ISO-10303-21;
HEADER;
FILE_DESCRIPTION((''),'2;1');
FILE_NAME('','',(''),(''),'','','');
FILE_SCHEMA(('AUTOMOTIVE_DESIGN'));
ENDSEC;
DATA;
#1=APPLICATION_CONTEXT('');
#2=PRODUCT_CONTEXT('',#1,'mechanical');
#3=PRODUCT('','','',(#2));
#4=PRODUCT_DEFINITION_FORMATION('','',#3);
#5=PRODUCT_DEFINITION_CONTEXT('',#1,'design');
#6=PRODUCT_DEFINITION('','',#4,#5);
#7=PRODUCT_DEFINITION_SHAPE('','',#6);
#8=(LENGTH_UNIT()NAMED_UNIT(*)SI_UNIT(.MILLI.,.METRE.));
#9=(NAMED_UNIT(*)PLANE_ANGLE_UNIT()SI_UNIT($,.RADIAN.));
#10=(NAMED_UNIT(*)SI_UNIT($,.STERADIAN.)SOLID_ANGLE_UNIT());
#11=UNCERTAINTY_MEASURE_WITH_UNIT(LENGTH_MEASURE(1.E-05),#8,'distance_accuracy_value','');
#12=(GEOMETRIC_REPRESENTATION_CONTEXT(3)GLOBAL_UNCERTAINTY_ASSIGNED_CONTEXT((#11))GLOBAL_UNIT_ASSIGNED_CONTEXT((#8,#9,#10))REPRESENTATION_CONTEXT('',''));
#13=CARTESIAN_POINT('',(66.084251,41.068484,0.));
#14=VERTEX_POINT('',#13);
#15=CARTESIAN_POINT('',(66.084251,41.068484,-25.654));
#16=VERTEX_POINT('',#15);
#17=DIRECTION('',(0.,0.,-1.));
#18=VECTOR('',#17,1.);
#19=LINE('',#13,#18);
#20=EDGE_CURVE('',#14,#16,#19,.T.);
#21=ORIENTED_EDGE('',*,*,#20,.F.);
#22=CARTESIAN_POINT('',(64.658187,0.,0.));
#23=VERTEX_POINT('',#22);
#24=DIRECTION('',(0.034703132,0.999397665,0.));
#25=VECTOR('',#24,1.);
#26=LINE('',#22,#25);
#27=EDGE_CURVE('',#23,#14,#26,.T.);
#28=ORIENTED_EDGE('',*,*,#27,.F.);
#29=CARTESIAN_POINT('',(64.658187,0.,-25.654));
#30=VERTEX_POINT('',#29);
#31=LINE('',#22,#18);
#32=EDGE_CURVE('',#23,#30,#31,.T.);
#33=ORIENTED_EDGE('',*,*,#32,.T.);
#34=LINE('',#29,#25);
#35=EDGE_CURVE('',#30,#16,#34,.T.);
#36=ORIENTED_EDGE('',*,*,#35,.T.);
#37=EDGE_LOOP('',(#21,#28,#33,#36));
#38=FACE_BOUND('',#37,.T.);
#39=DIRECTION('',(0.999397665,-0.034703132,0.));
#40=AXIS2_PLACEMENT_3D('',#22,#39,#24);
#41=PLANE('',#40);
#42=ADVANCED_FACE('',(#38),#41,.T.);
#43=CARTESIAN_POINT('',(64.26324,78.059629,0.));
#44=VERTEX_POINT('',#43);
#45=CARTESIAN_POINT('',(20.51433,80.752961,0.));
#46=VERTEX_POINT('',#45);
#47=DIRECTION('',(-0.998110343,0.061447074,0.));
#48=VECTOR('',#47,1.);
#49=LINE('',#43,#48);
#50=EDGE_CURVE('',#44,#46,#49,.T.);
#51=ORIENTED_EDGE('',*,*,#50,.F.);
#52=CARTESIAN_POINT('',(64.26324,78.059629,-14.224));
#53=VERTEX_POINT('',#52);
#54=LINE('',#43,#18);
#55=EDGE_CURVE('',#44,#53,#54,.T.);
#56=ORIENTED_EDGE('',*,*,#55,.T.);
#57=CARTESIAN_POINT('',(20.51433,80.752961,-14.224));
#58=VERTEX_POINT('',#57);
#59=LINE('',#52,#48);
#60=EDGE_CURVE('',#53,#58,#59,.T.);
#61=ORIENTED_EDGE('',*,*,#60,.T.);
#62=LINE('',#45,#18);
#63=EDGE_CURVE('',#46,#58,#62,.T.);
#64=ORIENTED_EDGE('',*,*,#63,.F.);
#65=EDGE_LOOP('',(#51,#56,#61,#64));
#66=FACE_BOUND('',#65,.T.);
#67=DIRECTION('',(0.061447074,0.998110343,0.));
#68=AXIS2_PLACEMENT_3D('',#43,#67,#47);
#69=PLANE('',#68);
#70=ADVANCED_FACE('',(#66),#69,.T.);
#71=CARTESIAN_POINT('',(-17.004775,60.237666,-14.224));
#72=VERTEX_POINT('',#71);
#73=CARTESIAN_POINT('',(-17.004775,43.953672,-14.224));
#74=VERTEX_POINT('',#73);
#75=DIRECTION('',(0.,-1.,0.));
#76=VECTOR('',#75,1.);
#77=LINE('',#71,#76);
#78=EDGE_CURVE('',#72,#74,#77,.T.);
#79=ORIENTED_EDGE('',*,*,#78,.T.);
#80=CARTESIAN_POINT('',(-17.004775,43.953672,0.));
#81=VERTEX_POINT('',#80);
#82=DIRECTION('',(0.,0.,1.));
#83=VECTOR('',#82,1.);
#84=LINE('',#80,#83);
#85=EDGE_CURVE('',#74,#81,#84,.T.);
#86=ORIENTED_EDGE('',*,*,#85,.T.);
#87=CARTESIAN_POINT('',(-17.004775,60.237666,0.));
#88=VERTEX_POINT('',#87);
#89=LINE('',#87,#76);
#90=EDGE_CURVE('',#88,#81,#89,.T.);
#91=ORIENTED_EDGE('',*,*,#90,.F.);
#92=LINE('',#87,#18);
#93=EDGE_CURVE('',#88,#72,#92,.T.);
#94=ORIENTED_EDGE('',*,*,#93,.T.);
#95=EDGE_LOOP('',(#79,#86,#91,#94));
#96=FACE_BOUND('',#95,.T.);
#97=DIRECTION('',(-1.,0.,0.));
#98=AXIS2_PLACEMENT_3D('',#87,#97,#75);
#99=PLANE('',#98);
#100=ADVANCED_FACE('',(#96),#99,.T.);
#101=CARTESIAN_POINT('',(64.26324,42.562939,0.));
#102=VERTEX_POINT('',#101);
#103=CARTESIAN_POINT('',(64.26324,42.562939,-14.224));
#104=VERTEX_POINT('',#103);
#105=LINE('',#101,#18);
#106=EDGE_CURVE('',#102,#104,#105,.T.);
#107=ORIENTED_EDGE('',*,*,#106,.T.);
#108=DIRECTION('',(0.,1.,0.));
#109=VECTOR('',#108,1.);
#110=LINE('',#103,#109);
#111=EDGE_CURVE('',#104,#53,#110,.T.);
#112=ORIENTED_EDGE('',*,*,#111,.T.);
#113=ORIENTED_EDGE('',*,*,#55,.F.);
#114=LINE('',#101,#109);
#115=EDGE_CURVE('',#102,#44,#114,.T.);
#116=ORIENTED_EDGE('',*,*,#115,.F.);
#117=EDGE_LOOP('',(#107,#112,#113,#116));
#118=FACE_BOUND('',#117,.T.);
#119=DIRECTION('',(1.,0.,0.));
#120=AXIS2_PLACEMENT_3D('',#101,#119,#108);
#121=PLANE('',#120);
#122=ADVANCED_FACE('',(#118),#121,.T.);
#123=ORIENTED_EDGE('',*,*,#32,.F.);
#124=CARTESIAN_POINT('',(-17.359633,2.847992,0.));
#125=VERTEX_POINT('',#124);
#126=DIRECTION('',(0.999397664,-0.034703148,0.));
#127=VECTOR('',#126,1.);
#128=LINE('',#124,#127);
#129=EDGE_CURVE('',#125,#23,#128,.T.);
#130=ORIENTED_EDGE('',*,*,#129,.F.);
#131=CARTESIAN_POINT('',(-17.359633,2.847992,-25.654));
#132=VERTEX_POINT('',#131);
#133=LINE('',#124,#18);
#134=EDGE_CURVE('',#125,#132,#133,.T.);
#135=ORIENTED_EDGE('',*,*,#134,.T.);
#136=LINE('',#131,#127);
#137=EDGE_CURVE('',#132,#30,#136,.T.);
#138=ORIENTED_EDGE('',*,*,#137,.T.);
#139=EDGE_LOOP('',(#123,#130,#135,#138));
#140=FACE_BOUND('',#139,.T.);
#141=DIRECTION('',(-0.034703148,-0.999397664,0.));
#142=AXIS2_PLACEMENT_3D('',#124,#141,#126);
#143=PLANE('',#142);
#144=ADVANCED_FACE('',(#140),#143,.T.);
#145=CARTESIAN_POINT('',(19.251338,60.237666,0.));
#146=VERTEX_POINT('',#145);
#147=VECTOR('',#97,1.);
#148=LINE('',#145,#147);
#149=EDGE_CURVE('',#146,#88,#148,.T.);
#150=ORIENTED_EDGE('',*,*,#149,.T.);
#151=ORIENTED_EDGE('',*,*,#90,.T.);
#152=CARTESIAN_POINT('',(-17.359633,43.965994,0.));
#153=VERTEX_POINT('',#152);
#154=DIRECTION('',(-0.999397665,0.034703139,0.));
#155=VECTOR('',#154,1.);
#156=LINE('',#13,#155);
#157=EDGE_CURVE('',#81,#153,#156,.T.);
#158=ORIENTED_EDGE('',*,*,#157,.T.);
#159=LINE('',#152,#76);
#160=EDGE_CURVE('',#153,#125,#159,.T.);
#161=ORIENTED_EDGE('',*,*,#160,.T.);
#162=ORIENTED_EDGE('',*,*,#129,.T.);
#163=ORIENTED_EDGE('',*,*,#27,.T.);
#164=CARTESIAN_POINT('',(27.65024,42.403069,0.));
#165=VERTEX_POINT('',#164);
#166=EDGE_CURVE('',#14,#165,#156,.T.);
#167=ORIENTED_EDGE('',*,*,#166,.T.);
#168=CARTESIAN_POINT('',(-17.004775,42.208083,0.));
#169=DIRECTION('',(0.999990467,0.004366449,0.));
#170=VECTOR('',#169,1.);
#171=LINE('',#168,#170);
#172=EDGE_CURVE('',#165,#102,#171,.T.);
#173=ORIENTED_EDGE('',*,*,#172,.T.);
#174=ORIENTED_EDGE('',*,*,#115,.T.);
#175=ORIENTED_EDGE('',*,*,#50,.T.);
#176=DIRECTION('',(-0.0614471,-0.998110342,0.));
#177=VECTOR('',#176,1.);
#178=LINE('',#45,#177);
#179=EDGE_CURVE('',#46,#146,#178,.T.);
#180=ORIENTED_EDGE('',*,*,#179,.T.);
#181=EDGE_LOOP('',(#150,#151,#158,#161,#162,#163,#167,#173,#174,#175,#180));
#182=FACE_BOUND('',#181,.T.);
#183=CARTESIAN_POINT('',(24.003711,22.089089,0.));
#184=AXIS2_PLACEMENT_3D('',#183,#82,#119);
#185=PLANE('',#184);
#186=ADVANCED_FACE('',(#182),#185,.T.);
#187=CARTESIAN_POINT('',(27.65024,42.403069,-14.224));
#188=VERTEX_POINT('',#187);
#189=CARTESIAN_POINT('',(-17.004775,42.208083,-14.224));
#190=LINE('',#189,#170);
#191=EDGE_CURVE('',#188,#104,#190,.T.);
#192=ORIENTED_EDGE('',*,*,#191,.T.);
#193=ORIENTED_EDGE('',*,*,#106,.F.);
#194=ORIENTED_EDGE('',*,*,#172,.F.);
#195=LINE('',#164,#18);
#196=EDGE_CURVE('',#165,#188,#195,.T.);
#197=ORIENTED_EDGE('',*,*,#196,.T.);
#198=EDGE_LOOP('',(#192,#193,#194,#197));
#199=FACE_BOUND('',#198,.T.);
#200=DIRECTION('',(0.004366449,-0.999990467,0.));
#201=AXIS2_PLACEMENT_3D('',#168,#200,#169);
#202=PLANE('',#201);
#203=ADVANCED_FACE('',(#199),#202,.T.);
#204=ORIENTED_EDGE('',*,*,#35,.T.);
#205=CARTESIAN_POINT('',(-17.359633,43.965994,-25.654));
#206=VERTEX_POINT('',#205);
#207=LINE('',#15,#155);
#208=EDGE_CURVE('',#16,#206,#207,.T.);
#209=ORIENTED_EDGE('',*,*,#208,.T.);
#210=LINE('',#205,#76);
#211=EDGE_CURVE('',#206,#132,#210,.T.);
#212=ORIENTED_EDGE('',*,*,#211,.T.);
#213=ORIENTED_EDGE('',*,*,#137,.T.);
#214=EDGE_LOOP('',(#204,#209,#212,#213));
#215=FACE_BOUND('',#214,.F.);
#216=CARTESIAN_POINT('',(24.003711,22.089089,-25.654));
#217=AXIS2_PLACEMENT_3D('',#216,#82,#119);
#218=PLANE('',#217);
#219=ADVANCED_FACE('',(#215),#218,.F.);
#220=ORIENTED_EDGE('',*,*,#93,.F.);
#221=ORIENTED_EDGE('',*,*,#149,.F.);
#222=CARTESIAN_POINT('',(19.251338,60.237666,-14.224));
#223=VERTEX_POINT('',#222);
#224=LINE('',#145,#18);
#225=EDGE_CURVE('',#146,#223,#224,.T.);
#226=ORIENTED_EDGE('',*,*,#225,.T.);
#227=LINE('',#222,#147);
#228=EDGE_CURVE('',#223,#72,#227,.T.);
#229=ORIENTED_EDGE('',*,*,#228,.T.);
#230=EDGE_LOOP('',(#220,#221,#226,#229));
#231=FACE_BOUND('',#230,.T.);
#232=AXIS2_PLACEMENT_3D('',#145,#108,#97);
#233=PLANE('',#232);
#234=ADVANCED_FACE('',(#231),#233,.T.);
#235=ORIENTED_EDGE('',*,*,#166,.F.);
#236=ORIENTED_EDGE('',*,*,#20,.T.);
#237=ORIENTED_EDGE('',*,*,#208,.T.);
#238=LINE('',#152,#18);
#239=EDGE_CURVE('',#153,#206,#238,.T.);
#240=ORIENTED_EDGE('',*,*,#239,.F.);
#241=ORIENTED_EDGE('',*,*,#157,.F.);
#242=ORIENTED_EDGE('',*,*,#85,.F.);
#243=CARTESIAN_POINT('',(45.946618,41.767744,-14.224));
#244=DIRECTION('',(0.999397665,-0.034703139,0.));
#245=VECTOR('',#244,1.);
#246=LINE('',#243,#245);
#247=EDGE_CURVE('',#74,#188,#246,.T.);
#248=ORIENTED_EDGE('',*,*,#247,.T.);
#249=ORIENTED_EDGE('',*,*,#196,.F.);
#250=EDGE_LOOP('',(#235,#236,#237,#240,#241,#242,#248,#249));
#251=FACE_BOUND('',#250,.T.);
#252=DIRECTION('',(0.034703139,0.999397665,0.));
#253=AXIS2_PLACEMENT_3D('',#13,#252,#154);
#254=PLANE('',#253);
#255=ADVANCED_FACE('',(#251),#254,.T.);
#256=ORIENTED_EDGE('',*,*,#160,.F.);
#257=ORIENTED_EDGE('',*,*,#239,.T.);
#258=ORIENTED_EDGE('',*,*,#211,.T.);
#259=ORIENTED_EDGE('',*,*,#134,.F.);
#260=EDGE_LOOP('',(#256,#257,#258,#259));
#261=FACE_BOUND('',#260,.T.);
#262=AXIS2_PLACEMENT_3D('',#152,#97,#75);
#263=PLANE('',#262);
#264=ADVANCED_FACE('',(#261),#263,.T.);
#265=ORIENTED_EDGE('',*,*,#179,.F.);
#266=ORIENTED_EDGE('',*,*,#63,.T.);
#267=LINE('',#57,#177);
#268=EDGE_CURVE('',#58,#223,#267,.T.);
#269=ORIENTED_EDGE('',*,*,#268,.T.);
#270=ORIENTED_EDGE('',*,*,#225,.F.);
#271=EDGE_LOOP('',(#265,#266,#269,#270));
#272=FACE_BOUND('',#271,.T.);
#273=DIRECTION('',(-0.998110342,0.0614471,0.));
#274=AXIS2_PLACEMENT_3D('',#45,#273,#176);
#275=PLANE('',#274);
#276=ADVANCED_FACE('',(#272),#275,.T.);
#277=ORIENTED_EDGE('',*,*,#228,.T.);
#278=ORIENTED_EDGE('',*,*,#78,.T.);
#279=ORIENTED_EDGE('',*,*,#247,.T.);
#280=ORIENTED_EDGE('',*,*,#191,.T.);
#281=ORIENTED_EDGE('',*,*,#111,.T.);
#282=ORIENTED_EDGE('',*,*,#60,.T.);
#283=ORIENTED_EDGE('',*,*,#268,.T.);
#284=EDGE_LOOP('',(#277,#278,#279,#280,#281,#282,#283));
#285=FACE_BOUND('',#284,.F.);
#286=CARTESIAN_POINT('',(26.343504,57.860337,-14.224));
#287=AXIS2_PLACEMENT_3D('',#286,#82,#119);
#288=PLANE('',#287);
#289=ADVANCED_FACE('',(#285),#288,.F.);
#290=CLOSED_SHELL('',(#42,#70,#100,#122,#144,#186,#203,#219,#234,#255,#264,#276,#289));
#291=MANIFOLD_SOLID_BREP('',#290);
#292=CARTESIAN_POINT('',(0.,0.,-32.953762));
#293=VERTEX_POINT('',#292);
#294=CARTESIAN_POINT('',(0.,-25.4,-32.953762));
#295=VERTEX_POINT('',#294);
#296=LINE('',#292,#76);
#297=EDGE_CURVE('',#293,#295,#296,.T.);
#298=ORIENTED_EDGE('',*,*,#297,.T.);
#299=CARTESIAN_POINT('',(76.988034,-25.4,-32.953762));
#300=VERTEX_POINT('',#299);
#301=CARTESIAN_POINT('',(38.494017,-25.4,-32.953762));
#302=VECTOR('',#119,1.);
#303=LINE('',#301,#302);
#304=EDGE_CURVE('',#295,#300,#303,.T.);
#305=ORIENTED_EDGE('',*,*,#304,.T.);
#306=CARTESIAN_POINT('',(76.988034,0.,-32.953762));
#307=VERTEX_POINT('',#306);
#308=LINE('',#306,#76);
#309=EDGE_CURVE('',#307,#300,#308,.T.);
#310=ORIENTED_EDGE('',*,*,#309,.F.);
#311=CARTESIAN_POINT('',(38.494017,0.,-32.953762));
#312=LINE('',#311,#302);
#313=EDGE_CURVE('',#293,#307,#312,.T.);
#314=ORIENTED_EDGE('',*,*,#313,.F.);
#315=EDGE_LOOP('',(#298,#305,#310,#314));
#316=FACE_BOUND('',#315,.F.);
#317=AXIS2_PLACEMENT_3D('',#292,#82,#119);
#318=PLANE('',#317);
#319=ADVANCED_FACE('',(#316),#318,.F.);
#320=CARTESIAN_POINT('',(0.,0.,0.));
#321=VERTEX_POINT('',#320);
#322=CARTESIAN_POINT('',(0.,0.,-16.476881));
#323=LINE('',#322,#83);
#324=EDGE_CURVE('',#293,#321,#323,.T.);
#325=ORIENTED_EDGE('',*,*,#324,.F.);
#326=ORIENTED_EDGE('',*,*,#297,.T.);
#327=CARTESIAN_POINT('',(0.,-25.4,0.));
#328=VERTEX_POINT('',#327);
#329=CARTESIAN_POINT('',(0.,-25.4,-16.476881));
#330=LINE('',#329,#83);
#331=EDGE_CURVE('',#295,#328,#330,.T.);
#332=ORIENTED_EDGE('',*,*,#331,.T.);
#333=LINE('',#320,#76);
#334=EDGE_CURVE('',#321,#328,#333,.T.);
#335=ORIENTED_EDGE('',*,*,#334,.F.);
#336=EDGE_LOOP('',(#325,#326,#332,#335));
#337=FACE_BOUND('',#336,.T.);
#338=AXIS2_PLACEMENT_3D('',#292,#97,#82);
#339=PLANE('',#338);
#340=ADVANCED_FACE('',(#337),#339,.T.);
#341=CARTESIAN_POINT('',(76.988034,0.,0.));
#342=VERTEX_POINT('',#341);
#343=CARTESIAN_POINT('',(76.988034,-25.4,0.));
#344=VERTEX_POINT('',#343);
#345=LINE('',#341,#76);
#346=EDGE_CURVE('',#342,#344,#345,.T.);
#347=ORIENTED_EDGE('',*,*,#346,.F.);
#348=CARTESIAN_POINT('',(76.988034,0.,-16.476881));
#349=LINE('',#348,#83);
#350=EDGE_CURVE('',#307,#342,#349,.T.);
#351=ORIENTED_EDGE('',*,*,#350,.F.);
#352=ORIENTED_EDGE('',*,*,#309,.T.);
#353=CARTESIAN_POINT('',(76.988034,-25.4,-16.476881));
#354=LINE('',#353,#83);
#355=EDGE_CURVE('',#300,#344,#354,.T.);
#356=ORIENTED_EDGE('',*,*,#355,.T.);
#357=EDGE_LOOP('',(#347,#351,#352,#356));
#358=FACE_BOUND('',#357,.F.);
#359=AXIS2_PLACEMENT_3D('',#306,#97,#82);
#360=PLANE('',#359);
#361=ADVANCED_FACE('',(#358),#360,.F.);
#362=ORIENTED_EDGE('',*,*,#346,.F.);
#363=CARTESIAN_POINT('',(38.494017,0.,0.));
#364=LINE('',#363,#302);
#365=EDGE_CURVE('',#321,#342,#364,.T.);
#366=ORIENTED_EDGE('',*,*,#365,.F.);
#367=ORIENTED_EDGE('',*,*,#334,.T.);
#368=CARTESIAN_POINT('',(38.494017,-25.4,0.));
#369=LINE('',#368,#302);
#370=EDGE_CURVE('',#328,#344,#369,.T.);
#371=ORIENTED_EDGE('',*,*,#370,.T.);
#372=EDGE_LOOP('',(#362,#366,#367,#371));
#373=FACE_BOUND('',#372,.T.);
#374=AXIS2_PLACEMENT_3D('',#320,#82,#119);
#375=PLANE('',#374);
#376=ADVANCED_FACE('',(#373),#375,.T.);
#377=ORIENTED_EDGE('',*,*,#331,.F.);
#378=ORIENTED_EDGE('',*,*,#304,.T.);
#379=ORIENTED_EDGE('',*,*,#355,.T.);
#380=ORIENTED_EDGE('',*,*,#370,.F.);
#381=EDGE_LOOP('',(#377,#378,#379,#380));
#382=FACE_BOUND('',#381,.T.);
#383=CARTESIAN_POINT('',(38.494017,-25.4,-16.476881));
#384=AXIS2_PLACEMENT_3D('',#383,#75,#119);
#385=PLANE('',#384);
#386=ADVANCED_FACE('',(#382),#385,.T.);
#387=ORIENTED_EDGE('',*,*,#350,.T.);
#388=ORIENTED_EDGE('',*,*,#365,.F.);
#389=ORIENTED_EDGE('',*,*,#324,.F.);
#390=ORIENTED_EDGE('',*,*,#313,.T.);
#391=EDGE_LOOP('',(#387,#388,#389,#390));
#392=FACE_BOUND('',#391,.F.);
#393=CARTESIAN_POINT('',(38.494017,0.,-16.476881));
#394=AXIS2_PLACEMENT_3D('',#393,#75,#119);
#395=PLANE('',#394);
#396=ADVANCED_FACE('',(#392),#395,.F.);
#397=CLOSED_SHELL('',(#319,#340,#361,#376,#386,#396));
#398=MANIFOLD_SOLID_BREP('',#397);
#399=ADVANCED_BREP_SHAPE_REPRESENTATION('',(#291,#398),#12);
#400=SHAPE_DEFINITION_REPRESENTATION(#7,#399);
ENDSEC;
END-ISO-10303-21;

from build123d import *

# Parameters (mm, degrees)
F0_W     = 76.988034
F0_H     = 32.953762
F1_DEPTH = 25.4
F3_DEPTH = 25.654
F5_DEPTH = 14.224


with BuildPart() as f1:
    # F0 (on Front) → F1 (new body)
    with BuildSketch(Plane.XZ):
        with Locations((38.494017, -16.476881)):
            Rectangle(F0_W, F0_H)
    extrude(amount=F1_DEPTH)


with BuildPart() as f3:
    # F2 (on Top) → F3 (new body)
    with BuildSketch(Plane.XY):
        Polygon((-17.359633, 43.965994), (-17.359633, 12.949505), (-17.359633, 2.847992), (64.658187, 0), (66.084251, 41.068484), align=None)
    extrude(amount=-F3_DEPTH)

    # F4 (on Top) → F5 (join)
    with BuildSketch(Plane.XY):
        Polygon((-17.004775, 42.208083), (64.26324, 42.562939), (64.26324, 78.059629), (20.51433, 80.752961), (19.251338, 60.237666), (-17.004775, 60.237666), align=None)
    extrude(amount=-F5_DEPTH)


solid = Compound([f1.part, f3.part])
